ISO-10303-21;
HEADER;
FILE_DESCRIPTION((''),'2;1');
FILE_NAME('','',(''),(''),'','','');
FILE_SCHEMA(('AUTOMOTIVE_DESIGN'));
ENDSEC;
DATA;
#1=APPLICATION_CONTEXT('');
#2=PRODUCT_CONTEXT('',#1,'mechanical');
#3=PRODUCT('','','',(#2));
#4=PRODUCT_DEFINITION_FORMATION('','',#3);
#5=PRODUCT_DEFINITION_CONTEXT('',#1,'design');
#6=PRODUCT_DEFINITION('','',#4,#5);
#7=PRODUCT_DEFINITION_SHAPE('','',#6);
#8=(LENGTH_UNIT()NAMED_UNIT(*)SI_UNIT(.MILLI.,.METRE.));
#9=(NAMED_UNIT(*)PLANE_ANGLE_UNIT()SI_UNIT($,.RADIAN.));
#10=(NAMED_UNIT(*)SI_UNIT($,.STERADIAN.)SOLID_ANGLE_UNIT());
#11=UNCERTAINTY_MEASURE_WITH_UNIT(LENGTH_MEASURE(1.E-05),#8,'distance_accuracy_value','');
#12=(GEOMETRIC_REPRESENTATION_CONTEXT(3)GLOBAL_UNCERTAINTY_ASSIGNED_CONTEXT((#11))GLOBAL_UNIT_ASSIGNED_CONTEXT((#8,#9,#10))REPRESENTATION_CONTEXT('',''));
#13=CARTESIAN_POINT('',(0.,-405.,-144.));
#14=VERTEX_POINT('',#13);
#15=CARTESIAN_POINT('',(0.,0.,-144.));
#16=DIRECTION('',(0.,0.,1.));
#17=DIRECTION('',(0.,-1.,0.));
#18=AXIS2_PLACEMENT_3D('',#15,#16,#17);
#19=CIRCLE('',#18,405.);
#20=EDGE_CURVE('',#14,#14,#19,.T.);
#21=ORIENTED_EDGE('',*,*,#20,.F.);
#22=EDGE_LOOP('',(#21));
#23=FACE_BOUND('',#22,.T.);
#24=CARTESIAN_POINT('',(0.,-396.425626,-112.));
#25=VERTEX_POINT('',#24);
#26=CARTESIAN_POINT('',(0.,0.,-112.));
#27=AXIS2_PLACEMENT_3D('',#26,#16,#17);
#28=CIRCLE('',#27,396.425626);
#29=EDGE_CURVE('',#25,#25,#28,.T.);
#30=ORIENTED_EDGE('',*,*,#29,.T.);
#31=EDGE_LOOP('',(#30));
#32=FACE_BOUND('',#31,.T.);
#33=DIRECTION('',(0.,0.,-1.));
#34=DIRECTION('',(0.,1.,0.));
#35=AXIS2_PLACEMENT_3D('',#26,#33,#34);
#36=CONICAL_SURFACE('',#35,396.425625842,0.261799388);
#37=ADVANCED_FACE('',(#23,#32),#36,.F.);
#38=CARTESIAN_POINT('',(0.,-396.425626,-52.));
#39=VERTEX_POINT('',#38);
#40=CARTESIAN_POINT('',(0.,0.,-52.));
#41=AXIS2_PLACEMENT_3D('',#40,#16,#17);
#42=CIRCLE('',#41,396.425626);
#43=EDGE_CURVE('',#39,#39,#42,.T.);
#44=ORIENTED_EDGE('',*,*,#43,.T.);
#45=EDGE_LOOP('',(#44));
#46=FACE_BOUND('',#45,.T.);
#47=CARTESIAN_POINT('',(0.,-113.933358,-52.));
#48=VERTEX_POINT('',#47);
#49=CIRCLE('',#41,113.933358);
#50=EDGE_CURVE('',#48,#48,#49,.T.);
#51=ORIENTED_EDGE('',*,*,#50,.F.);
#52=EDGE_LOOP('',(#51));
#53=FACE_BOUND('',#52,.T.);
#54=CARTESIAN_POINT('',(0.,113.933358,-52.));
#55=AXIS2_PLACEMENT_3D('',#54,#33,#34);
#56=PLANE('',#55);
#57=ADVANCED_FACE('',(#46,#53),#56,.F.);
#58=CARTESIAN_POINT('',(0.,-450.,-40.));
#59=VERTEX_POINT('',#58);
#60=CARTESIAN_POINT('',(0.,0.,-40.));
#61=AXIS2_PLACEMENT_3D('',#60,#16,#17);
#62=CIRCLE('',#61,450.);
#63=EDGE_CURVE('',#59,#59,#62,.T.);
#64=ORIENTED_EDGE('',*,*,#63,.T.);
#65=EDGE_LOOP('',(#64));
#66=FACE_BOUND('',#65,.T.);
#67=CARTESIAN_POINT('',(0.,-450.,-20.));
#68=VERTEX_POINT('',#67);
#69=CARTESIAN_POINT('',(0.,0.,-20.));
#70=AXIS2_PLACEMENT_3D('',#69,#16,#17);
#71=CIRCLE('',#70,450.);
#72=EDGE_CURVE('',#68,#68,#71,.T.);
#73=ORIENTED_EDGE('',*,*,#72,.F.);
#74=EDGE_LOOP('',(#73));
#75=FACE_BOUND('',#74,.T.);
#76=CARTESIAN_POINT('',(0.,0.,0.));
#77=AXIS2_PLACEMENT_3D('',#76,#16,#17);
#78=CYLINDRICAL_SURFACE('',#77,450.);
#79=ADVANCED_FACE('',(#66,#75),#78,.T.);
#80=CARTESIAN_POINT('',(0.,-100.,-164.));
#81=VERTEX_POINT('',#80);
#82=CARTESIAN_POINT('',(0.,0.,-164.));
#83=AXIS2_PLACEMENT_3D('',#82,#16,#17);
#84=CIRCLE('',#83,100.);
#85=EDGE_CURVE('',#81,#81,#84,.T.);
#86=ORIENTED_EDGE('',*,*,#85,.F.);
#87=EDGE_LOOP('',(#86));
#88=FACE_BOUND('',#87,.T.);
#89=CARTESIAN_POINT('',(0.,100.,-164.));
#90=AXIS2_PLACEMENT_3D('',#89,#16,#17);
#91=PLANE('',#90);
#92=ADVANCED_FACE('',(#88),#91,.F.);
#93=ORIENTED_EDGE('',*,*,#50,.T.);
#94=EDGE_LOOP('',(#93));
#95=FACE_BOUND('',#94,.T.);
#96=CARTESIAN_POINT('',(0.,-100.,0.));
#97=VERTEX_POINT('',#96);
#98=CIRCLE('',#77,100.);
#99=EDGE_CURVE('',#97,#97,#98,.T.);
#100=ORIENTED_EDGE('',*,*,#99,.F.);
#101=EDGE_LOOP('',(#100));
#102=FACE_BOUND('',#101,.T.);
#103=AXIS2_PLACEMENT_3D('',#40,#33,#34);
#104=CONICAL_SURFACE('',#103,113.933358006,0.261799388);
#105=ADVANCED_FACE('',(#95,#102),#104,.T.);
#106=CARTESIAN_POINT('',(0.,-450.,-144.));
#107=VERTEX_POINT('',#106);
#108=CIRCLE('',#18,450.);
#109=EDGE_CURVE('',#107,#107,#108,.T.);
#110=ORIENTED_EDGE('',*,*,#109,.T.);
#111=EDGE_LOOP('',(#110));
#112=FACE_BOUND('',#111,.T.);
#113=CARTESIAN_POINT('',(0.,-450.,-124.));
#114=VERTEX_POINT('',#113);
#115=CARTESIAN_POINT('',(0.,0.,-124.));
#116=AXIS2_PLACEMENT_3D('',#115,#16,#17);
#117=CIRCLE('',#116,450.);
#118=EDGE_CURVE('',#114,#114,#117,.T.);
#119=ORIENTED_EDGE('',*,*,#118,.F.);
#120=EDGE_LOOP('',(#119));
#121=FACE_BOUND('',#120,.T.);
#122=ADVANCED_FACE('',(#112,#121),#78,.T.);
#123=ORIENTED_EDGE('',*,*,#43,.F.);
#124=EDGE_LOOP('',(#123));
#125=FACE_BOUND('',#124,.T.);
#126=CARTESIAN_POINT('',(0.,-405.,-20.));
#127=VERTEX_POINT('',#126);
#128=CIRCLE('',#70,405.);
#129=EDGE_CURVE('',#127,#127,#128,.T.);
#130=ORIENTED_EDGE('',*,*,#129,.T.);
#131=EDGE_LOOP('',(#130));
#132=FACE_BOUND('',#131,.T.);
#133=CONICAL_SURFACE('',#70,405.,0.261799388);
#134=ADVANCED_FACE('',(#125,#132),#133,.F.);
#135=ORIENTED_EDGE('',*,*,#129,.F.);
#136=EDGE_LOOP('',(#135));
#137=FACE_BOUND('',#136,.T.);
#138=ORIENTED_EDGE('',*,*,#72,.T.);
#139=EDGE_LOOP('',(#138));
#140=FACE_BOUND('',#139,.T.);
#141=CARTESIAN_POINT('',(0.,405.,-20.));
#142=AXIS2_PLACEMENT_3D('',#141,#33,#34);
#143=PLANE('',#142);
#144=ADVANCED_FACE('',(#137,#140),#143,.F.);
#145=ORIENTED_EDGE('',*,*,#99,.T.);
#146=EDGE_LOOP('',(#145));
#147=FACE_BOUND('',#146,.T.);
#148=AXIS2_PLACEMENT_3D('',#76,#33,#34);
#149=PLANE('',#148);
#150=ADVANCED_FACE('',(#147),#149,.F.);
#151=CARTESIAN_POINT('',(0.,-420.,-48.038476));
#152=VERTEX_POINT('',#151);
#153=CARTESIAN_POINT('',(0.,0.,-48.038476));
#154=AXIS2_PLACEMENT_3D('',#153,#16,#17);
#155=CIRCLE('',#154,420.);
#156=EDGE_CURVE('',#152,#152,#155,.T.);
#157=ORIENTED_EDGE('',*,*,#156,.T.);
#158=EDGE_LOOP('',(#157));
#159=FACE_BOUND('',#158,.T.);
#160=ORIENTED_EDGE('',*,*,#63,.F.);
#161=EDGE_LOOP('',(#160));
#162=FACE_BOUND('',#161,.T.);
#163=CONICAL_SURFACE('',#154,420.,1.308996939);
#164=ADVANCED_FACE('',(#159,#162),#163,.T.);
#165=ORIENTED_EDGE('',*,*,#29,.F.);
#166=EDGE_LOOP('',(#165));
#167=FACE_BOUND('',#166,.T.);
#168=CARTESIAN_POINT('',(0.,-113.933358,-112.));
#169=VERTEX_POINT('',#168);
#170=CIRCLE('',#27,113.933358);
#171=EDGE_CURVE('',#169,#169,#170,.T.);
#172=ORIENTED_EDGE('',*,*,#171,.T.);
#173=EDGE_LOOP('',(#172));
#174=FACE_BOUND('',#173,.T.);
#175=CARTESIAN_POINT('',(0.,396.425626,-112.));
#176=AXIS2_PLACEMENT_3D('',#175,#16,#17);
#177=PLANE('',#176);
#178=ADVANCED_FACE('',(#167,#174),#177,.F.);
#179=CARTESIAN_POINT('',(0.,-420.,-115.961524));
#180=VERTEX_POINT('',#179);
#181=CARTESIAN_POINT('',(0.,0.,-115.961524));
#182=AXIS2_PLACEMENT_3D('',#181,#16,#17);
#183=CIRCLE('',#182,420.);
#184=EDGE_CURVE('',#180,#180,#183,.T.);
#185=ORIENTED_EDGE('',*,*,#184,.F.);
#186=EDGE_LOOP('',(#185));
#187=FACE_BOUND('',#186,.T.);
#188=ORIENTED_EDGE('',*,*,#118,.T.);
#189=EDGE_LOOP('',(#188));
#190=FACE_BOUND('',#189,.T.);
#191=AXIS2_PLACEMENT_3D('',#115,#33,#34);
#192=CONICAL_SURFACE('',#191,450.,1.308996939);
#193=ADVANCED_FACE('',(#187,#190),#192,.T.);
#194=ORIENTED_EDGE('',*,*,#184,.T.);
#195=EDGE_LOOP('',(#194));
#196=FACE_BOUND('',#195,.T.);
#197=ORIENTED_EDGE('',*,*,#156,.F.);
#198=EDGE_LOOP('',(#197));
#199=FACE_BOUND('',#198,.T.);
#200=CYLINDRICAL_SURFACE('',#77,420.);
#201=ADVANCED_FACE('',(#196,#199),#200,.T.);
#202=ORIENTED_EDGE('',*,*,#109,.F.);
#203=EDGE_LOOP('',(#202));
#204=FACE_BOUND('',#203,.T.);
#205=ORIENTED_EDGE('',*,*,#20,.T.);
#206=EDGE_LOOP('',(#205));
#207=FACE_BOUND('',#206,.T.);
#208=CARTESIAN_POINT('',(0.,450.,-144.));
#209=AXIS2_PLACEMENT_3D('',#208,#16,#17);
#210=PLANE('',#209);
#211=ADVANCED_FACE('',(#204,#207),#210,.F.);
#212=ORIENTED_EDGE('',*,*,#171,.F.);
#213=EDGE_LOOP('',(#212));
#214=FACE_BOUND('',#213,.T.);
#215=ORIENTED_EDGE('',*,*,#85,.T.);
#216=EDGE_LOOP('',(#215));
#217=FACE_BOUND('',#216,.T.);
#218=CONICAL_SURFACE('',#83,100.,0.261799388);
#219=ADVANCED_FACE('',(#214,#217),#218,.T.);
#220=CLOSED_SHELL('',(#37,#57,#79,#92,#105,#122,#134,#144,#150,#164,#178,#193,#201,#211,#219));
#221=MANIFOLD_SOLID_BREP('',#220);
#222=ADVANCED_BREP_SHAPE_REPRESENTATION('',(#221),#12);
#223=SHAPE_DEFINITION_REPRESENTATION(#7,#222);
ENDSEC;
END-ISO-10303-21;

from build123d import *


with BuildPart() as part:
    # Szkic1 → Obrót1 (revolve)
    with BuildSketch(Plane(origin=(0, 0, 0), x_dir=(0, 0, -1), z_dir=(1, 0, 0))):
        Polygon((0, 0), (0, 100), (52, 113.933358006), (52, 396.425625842), (20, 405), (20, 450), (40, 450), (48.038475773, 420), (115.961524227, 420), (124, 450), (144, 450), (144, 405), (112, 396.425625842), (112, 113.933358006), (164, 100), (164, 0), align=None)
    revolve(axis=Axis((0, 0, 0), (0, 0, -1)))


solid = part.part
